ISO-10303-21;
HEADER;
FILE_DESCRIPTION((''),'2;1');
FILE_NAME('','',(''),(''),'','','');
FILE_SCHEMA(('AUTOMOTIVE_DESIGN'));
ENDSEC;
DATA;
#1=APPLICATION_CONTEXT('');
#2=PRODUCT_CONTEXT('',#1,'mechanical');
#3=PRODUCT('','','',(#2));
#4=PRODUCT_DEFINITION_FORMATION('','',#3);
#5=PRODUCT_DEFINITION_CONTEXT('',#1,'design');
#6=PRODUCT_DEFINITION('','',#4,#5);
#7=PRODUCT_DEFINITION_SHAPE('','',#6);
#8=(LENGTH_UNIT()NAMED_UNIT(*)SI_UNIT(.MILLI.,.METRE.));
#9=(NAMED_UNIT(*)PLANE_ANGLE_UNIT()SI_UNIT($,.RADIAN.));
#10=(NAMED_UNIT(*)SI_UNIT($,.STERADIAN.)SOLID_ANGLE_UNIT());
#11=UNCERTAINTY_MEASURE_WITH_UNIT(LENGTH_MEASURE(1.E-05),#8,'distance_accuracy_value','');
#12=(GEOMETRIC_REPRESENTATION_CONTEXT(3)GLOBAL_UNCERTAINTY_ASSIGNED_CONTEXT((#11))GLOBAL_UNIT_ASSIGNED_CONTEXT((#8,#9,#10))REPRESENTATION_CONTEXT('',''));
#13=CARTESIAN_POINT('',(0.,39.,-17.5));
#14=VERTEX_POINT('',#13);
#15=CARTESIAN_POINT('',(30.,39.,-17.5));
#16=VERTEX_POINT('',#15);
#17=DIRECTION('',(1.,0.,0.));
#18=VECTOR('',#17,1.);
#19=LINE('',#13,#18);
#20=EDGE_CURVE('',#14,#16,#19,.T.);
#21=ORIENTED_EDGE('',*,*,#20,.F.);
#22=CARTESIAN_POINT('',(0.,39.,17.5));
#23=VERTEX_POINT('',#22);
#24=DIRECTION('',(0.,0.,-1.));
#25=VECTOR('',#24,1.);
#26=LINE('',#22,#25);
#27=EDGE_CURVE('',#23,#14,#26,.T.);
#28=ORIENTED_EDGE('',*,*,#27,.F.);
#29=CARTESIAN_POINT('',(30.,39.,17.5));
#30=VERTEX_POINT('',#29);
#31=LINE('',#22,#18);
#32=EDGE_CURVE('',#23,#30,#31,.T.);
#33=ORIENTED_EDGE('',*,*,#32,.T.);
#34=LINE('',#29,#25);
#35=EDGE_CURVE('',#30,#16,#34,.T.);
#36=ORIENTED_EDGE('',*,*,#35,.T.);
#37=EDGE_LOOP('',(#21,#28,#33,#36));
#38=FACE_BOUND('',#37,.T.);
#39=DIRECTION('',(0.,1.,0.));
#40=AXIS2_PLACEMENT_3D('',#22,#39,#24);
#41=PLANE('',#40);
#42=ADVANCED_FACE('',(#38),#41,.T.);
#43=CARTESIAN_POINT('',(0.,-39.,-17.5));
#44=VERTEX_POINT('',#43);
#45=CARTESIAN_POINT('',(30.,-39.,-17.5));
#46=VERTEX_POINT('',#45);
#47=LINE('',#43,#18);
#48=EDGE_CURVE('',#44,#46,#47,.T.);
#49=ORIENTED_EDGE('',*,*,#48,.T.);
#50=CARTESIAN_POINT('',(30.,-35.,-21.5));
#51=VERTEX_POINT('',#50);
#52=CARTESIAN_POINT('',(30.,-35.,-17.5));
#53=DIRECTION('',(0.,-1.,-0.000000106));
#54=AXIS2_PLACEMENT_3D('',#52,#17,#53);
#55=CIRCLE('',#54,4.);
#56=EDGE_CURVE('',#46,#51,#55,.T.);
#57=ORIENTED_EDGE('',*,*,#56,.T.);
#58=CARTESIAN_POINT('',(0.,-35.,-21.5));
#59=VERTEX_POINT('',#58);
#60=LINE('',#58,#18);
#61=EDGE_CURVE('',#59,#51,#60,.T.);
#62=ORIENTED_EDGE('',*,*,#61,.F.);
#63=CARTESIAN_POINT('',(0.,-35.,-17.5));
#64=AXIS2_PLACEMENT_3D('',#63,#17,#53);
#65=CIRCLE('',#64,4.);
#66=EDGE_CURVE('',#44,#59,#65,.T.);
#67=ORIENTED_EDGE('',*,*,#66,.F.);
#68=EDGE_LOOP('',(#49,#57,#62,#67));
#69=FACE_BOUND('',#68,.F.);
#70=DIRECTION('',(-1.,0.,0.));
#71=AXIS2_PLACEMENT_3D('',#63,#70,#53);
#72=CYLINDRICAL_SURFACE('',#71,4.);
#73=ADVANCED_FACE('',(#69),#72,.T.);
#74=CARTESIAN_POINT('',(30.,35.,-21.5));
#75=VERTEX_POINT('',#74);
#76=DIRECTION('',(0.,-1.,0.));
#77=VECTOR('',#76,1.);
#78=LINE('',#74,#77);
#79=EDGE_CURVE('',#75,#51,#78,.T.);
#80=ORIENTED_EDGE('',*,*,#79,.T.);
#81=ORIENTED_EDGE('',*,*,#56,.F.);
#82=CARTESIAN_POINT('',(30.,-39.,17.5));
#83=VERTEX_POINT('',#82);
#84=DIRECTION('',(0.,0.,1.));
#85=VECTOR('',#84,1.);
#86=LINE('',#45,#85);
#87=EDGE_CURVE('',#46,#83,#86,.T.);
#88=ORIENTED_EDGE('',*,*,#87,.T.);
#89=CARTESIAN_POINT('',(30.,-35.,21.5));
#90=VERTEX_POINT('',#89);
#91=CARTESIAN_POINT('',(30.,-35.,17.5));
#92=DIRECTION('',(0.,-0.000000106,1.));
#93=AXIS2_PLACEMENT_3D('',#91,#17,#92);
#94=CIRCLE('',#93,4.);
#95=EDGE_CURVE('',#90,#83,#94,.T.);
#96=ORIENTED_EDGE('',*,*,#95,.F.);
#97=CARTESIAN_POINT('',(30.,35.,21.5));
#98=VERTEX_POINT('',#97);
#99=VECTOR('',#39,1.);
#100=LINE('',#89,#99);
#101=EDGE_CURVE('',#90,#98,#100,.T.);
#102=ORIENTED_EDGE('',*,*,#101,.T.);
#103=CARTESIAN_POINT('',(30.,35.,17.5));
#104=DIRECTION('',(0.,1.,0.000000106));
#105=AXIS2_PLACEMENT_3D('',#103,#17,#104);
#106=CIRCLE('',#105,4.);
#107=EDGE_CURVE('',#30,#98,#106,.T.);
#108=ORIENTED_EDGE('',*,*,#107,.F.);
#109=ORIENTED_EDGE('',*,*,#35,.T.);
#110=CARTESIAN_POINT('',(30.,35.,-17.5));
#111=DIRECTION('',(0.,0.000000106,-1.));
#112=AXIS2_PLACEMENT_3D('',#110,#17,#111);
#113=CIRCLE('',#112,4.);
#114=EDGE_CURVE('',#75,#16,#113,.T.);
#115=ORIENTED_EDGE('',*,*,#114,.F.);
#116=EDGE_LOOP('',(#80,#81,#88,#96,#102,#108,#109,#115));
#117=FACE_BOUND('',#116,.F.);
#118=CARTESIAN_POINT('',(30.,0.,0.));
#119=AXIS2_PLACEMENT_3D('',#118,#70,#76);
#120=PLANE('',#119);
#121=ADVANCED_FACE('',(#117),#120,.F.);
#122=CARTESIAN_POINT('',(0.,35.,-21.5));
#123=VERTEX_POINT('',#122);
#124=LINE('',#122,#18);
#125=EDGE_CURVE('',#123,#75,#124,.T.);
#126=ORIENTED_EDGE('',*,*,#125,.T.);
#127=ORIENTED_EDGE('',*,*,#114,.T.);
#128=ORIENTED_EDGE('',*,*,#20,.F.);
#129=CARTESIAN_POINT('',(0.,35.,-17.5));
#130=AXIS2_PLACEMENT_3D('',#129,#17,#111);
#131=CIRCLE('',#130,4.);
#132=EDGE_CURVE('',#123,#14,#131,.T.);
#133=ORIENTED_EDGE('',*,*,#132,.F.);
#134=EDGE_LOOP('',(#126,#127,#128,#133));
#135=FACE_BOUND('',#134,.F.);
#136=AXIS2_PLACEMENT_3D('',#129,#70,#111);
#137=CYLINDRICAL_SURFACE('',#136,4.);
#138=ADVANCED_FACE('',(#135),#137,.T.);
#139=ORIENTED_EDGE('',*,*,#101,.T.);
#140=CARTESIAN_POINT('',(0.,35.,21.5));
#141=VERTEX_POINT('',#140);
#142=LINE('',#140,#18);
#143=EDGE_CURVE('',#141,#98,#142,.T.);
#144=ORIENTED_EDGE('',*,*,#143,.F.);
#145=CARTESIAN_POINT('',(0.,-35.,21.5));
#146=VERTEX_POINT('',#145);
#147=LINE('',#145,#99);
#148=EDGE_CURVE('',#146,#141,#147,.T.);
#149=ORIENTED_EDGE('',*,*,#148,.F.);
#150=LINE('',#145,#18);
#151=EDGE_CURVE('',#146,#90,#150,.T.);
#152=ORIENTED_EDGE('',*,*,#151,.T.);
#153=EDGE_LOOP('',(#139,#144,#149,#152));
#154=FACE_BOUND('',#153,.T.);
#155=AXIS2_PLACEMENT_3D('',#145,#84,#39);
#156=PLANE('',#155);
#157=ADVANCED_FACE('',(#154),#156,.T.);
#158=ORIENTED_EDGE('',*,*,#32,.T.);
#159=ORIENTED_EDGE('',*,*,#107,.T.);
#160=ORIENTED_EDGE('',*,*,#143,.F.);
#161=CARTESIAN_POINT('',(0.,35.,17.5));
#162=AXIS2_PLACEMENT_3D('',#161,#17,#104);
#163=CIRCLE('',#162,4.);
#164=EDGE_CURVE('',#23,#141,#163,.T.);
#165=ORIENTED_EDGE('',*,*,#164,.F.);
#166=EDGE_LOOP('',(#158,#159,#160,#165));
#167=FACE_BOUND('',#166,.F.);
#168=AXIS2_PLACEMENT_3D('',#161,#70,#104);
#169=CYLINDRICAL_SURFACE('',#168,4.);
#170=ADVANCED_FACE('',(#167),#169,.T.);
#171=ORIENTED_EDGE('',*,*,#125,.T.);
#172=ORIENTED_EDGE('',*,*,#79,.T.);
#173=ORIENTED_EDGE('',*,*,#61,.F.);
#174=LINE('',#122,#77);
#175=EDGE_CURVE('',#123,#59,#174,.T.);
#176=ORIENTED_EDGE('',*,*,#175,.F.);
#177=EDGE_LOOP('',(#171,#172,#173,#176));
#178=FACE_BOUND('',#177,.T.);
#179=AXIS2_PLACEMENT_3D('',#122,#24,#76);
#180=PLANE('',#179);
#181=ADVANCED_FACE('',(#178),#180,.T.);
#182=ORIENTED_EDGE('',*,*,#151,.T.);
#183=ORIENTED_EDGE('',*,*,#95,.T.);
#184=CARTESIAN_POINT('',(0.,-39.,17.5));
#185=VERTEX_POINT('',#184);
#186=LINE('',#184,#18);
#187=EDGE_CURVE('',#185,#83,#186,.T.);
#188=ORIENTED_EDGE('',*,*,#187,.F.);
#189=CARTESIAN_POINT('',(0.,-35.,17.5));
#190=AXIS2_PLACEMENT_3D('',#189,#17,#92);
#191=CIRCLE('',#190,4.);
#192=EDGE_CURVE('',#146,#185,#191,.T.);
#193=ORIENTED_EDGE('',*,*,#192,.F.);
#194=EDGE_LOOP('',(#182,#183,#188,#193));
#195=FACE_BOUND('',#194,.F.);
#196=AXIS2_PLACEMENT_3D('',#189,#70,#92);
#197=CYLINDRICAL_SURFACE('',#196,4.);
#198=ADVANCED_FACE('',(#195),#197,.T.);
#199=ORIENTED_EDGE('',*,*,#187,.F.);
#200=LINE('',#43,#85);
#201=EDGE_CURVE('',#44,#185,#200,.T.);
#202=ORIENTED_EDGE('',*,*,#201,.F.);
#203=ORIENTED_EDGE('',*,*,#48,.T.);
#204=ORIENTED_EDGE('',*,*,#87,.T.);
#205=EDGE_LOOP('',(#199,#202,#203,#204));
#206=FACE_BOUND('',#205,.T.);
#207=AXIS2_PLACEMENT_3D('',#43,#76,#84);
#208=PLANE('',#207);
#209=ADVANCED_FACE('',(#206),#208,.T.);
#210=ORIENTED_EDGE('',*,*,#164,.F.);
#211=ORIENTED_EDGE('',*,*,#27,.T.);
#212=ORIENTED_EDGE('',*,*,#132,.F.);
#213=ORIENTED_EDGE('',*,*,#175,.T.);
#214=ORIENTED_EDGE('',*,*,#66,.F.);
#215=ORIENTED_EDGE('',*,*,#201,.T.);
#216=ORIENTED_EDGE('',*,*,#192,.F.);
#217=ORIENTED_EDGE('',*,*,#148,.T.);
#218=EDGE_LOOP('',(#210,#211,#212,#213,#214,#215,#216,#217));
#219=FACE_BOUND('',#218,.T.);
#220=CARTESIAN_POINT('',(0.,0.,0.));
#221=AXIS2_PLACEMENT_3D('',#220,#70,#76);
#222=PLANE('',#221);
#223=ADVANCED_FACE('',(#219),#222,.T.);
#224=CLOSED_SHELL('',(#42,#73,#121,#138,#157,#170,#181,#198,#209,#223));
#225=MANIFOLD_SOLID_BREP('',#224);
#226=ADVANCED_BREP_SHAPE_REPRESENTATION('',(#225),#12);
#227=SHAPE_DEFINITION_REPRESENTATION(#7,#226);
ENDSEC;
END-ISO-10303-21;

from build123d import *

# Parameters (mm, degrees)
PAD_DEPTH = 30


with BuildPart() as part:
    # Sketch → Pad (new body)
    with BuildSketch(Plane.YZ):
        with BuildLine():
            Line((-35, 21.5), (35, 21.5))
            ThreePointArc((39, 17.5), (37.828427, 20.328427), (35, 21.5))
            Line((39, 17.5), (39, -17.5))
            ThreePointArc((35, -21.5), (37.828427, -20.328427), (39, -17.5))
            Line((35, -21.5), (-35, -21.5))
            ThreePointArc((-39, -17.5), (-37.828427, -20.328427), (-35, -21.5))
            Line((-39, -17.5), (-39, 17.5))
            ThreePointArc((-35, 21.5), (-37.828427, 20.328427), (-39, 17.5))
        make_face()
    extrude(amount=PAD_DEPTH)


solid = part.part
